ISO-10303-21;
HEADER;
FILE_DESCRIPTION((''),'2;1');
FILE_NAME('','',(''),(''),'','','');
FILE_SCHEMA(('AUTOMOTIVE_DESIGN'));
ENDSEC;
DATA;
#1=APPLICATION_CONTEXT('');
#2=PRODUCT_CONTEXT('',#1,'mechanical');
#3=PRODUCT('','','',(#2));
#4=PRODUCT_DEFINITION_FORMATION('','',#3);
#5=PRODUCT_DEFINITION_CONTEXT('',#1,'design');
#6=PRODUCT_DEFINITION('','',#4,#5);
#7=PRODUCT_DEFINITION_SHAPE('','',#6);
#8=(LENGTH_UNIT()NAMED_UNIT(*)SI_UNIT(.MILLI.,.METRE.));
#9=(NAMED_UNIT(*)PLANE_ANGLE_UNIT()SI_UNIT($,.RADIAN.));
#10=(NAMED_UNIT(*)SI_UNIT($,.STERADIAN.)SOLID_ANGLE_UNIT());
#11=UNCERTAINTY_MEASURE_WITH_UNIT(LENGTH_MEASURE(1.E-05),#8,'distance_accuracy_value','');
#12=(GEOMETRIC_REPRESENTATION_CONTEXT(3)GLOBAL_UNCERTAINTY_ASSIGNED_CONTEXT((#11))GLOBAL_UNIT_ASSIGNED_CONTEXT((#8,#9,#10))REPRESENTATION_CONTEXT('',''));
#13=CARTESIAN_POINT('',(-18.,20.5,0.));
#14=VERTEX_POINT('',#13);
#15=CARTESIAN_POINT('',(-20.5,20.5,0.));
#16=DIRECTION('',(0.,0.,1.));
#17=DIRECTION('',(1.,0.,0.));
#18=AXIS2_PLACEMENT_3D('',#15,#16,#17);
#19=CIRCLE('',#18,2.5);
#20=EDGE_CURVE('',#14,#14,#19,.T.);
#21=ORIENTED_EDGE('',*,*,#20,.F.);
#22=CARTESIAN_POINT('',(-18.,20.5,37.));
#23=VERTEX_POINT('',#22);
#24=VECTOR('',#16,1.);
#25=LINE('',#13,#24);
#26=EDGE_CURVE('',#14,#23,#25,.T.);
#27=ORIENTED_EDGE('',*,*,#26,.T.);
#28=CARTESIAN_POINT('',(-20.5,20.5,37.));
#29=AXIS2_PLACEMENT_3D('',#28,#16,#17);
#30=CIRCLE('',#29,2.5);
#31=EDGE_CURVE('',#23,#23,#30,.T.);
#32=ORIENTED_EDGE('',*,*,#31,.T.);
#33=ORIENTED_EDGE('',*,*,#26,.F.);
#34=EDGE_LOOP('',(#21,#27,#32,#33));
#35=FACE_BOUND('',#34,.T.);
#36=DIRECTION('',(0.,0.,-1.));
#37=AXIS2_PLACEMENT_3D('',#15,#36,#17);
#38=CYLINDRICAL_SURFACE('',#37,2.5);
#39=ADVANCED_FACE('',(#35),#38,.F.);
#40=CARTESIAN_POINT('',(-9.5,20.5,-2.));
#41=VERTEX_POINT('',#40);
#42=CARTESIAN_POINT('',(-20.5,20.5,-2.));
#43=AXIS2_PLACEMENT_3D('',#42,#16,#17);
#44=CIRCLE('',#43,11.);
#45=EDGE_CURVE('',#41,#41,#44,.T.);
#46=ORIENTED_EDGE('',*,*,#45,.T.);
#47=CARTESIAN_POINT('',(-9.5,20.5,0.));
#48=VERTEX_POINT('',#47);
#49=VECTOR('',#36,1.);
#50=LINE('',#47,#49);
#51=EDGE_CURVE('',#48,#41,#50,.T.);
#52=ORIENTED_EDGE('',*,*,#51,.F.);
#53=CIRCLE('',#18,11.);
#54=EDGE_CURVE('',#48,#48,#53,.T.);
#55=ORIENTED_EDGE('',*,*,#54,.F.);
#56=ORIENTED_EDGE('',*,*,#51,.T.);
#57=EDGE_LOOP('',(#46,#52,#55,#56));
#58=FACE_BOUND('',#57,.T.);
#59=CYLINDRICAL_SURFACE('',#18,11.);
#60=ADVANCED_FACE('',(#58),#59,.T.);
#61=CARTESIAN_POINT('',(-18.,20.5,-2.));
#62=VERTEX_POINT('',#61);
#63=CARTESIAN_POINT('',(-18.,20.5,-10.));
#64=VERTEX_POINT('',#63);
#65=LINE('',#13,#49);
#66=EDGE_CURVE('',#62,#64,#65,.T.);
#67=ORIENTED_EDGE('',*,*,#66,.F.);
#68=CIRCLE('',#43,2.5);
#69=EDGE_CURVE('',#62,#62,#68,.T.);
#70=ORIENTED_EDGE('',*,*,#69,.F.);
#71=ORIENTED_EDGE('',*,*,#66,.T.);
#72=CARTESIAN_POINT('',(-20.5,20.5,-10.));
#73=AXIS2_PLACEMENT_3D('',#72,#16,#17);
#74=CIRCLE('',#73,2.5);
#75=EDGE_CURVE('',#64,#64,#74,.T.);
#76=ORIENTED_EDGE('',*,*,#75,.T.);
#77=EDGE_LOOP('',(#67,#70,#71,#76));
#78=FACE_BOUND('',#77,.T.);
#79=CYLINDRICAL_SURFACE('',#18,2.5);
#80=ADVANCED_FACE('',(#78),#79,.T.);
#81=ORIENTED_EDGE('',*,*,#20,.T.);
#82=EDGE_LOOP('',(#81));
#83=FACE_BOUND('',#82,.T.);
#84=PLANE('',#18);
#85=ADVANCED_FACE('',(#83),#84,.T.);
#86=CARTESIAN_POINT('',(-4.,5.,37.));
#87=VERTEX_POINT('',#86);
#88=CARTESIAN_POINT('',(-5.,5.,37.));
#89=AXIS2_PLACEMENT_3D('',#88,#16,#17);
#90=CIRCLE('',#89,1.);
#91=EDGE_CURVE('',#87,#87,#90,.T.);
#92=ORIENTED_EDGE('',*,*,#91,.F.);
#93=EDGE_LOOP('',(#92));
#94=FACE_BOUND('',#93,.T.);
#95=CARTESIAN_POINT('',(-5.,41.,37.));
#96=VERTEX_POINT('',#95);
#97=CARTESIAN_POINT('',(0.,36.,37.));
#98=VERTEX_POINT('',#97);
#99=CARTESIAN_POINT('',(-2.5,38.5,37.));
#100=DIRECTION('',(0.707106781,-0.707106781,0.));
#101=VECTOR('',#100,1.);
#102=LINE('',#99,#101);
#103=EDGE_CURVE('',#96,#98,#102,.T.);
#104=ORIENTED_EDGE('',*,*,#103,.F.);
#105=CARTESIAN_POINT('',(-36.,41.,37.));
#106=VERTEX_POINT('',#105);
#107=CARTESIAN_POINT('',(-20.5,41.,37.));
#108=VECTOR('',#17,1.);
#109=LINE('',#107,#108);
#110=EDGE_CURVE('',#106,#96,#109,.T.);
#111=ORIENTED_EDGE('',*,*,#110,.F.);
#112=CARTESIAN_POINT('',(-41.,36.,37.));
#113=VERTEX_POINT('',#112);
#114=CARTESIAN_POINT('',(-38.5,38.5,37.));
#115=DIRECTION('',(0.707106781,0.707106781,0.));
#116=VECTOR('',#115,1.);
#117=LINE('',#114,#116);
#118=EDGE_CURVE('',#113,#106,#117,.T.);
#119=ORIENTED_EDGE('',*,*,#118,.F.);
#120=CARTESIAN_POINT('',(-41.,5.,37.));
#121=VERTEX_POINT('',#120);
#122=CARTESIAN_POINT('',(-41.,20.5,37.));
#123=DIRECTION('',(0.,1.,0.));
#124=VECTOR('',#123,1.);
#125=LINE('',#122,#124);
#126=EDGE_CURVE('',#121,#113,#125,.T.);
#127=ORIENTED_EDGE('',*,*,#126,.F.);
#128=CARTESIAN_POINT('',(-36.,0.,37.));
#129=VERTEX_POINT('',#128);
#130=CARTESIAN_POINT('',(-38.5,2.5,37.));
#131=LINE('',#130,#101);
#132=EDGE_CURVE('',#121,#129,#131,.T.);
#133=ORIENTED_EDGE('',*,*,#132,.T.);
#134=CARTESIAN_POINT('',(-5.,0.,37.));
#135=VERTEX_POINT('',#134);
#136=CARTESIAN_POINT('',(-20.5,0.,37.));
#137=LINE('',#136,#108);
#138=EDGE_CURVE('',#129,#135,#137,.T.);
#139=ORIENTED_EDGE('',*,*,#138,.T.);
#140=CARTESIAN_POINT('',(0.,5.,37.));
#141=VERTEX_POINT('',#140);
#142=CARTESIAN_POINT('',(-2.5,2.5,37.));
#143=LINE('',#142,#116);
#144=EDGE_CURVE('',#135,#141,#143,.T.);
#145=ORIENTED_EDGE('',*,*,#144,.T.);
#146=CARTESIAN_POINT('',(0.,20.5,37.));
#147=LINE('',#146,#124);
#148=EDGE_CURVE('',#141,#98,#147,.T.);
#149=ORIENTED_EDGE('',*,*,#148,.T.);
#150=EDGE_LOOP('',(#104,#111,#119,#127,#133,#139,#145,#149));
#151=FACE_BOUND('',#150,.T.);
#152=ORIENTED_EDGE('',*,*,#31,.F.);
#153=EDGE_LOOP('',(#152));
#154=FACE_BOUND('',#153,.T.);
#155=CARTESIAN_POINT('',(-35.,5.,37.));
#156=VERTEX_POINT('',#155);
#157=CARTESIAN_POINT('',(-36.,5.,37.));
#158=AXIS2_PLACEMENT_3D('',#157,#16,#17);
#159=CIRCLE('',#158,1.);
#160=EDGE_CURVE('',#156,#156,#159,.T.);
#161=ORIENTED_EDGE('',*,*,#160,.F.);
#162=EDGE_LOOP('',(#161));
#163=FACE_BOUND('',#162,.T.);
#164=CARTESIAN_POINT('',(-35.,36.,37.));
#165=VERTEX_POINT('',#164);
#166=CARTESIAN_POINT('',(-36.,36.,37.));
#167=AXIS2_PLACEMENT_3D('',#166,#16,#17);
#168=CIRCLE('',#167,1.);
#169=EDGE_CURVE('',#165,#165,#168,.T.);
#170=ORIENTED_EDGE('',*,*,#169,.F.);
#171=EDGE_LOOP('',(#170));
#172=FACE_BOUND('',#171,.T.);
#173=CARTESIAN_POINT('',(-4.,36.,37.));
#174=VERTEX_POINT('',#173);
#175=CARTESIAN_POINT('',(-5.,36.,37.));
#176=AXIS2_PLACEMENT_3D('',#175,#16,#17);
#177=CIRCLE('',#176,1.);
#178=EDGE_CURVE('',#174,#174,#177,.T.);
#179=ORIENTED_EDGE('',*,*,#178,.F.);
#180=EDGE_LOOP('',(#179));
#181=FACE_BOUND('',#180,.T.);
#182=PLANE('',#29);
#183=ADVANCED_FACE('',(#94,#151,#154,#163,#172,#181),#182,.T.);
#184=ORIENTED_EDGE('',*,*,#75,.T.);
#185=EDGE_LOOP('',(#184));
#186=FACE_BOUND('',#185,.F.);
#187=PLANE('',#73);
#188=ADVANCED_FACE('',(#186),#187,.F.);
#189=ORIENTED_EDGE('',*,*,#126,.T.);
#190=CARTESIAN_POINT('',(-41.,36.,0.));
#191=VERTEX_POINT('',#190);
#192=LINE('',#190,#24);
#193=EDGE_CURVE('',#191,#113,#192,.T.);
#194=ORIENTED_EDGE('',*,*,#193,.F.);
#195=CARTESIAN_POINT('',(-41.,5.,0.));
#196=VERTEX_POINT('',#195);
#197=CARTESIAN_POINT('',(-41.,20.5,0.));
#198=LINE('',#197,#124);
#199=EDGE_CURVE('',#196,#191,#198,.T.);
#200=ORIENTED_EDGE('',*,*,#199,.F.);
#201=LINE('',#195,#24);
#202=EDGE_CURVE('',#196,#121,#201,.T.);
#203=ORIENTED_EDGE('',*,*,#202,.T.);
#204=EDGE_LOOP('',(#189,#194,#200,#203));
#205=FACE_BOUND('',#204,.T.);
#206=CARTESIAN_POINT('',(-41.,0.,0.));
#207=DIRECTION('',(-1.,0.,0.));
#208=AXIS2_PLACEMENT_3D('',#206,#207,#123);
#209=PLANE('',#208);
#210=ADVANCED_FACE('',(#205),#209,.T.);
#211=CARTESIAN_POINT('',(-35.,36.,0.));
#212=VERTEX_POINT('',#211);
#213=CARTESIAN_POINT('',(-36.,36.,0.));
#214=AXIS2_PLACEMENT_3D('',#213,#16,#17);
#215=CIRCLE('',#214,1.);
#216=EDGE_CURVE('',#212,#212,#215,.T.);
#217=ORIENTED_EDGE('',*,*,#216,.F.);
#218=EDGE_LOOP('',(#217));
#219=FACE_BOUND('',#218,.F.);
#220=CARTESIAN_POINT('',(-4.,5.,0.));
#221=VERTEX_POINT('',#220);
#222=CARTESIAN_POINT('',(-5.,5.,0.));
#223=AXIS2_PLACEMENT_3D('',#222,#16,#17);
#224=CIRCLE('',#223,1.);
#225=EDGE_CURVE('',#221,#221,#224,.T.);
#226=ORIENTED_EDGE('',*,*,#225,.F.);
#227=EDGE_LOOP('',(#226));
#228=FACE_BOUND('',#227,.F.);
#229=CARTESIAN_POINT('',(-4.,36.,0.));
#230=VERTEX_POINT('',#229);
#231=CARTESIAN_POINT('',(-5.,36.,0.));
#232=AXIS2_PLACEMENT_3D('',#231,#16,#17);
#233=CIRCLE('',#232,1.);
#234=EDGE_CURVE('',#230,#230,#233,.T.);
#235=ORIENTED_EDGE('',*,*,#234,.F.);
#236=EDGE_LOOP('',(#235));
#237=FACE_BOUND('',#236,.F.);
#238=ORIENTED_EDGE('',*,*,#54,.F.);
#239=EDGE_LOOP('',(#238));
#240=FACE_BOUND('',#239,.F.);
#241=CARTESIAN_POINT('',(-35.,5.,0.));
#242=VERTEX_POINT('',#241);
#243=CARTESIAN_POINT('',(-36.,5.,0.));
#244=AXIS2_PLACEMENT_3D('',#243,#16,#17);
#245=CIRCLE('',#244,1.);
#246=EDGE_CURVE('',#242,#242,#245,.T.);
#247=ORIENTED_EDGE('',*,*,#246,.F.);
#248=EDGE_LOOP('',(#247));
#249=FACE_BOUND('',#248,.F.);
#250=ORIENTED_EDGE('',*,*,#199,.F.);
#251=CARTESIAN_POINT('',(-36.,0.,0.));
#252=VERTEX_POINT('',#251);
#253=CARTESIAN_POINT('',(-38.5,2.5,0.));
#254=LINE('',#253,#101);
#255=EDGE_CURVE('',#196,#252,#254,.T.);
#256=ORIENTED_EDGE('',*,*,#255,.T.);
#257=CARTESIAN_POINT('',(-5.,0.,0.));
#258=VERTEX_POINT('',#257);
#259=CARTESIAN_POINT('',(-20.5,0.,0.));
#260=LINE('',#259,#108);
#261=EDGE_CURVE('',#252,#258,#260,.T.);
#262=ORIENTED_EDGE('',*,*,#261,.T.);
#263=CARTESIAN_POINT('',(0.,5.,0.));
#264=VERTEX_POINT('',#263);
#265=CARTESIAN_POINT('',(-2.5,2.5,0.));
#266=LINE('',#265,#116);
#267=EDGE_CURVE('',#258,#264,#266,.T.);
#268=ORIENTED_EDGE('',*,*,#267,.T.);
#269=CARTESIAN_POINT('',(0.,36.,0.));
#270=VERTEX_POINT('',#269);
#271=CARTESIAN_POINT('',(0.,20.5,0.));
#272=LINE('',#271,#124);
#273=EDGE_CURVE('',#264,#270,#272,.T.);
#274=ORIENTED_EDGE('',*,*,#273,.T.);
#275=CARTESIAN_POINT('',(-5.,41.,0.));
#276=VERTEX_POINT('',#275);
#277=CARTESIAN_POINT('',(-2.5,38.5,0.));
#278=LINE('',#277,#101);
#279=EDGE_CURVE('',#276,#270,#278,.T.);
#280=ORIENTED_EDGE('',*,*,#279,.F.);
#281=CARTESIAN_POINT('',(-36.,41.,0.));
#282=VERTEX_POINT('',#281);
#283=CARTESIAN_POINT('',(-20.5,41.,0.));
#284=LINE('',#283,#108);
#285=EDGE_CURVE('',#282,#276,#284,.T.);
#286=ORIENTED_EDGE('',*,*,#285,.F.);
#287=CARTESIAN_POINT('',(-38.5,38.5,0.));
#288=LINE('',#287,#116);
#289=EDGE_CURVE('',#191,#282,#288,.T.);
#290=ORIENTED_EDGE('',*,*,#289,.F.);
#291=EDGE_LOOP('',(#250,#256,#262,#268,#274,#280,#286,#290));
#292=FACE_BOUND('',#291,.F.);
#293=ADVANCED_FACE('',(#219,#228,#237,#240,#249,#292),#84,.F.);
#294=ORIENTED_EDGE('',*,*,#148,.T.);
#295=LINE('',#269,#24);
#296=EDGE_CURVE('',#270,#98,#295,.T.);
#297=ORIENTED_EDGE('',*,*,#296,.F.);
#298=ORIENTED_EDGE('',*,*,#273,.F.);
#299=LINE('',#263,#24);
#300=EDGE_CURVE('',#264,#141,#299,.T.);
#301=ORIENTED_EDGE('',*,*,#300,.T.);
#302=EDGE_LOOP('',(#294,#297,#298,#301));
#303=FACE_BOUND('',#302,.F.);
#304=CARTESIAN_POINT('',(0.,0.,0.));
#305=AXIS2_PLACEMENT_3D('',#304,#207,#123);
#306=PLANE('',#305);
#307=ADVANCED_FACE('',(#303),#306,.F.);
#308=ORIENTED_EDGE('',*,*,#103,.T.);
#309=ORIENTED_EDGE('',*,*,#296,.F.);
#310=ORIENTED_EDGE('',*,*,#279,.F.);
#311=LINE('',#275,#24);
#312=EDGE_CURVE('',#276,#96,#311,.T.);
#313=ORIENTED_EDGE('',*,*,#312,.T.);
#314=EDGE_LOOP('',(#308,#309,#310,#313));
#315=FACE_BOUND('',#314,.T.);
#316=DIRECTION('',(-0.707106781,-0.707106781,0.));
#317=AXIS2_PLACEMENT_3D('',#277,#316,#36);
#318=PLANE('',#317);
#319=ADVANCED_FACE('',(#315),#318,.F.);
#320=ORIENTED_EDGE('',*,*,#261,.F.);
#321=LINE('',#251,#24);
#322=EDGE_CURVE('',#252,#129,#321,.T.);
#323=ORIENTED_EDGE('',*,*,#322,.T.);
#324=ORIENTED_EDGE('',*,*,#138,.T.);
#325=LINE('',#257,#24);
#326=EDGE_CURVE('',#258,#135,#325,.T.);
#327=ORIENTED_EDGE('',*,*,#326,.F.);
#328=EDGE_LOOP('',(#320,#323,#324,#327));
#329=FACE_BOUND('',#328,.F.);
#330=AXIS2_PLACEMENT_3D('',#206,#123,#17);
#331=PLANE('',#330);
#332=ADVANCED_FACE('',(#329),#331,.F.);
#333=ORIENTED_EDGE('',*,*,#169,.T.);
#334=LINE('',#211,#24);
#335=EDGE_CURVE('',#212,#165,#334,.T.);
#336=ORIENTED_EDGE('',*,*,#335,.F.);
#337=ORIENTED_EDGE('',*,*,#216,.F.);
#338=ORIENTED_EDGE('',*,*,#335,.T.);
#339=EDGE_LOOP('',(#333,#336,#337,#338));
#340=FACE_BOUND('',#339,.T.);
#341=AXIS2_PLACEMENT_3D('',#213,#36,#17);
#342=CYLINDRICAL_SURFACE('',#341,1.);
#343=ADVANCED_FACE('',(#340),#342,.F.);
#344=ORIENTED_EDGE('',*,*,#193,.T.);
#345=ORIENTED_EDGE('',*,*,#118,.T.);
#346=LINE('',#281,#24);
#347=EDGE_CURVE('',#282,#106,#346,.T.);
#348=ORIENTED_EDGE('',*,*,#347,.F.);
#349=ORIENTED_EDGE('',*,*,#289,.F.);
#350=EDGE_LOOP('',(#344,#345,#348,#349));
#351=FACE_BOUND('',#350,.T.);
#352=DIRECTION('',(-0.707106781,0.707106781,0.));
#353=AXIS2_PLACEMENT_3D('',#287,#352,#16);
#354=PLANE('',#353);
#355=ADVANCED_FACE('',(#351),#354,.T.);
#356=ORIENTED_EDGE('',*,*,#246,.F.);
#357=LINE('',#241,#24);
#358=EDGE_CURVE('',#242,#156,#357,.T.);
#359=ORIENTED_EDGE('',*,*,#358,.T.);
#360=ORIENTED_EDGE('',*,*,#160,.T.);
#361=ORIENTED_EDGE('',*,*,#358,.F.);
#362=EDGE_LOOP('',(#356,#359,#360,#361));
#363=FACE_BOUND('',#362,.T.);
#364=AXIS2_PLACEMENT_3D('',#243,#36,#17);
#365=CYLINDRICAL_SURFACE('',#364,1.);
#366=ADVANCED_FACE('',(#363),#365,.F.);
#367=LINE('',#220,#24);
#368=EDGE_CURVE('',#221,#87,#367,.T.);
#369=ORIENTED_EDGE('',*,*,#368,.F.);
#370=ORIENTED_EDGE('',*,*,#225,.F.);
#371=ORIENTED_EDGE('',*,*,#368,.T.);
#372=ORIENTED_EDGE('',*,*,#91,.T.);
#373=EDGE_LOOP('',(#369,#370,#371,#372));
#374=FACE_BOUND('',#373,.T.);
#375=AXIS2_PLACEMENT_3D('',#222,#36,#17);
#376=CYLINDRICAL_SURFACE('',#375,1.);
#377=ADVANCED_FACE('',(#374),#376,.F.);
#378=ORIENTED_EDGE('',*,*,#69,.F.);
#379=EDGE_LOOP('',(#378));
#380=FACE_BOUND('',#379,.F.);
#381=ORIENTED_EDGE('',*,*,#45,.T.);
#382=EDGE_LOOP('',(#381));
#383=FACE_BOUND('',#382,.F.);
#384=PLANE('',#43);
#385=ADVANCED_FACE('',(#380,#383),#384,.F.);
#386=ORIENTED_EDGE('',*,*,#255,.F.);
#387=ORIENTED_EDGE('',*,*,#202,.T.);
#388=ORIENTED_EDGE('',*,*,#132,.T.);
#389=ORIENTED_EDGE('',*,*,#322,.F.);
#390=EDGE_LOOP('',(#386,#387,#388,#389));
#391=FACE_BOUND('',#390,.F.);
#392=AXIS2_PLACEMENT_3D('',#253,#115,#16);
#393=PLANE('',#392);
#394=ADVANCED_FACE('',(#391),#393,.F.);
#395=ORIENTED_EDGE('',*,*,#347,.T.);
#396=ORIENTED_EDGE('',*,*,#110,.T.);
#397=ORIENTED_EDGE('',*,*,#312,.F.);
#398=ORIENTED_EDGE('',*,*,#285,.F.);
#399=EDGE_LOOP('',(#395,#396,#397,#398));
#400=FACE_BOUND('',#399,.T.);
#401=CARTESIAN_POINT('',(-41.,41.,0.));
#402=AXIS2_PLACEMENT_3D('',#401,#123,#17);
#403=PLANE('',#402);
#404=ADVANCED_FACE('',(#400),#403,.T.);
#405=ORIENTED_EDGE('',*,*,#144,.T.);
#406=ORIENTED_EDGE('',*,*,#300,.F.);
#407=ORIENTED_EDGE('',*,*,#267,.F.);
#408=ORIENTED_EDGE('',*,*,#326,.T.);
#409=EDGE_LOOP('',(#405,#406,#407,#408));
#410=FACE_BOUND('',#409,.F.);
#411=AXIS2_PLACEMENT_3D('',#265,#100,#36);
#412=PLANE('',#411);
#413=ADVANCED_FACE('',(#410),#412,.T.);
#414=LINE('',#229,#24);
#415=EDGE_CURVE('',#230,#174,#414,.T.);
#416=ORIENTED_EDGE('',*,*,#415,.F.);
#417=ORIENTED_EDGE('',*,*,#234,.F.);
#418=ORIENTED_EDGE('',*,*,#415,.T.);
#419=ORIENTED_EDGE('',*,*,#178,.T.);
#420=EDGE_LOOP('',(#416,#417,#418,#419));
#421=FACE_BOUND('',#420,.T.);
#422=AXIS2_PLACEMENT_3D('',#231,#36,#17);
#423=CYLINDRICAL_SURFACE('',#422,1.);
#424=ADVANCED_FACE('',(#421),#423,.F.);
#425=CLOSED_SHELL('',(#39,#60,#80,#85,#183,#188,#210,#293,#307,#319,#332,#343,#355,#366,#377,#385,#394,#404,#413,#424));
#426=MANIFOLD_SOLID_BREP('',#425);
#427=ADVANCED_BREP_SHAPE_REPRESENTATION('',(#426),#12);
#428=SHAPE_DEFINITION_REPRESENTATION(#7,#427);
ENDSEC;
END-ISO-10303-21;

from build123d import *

# Parameters (mm, degrees)
F0_W     = 41
F0_H     = 41
F0_R     = 1
F0_R_2   = 11
F0_R_3   = 2.5
F1_DEPTH = 37
F2_SIZE  = 5
F3_DEPTH = 2
F4_DEPTH = 10


with BuildPart() as f1:
    # F0 (on Top) → F1 (new body)
    with BuildSketch(Plane.XY):
        with Locations((-20.5, 20.5)):
            Rectangle(F0_W, F0_H)
        with Locations((-36, 5)):
            Circle(F0_R, mode=Mode.SUBTRACT)
        with Locations((-5, 5)):
            Circle(F0_R, mode=Mode.SUBTRACT)
        with Locations((-36, 36)):
            Circle(F0_R, mode=Mode.SUBTRACT)
        with Locations((-20.5, 20.5)):
            Circle(F0_R_2, mode=Mode.SUBTRACT)
        with Locations((-5, 36)):
            Circle(F0_R, mode=Mode.SUBTRACT)
        with Locations((-20.5, 20.5)):
            Circle(F0_R_2)
        with Locations((-20.5, 20.5)):
            Circle(F0_R_3, mode=Mode.SUBTRACT)
    extrude(amount=F1_DEPTH)

    # F2
    f2_edges = [f1.edges().sort_by_distance(p)[0] for p in [
        (0, 41, 18.5),
        (-41, 41, 18.5),
        (0, 0, 18.5),
        (-41, 0, 18.5),
    ]]
    chamfer(f2_edges, length=F2_SIZE)

    # F0 (on Top) → F3 (join)
    with BuildSketch(Plane.XY):
        with Locations((-20.5, 20.5)):
            Circle(F0_R_2)
        with Locations((-20.5, 20.5)):
            Circle(F0_R_3, mode=Mode.SUBTRACT)
    extrude(amount=-F3_DEPTH)

    # F0 (on Top) → F4 (join)
    with BuildSketch(Plane.XY):
        with Locations((-20.5, 20.5)):
            Circle(F0_R_3)
    extrude(amount=-F4_DEPTH)


solid = f1.part
